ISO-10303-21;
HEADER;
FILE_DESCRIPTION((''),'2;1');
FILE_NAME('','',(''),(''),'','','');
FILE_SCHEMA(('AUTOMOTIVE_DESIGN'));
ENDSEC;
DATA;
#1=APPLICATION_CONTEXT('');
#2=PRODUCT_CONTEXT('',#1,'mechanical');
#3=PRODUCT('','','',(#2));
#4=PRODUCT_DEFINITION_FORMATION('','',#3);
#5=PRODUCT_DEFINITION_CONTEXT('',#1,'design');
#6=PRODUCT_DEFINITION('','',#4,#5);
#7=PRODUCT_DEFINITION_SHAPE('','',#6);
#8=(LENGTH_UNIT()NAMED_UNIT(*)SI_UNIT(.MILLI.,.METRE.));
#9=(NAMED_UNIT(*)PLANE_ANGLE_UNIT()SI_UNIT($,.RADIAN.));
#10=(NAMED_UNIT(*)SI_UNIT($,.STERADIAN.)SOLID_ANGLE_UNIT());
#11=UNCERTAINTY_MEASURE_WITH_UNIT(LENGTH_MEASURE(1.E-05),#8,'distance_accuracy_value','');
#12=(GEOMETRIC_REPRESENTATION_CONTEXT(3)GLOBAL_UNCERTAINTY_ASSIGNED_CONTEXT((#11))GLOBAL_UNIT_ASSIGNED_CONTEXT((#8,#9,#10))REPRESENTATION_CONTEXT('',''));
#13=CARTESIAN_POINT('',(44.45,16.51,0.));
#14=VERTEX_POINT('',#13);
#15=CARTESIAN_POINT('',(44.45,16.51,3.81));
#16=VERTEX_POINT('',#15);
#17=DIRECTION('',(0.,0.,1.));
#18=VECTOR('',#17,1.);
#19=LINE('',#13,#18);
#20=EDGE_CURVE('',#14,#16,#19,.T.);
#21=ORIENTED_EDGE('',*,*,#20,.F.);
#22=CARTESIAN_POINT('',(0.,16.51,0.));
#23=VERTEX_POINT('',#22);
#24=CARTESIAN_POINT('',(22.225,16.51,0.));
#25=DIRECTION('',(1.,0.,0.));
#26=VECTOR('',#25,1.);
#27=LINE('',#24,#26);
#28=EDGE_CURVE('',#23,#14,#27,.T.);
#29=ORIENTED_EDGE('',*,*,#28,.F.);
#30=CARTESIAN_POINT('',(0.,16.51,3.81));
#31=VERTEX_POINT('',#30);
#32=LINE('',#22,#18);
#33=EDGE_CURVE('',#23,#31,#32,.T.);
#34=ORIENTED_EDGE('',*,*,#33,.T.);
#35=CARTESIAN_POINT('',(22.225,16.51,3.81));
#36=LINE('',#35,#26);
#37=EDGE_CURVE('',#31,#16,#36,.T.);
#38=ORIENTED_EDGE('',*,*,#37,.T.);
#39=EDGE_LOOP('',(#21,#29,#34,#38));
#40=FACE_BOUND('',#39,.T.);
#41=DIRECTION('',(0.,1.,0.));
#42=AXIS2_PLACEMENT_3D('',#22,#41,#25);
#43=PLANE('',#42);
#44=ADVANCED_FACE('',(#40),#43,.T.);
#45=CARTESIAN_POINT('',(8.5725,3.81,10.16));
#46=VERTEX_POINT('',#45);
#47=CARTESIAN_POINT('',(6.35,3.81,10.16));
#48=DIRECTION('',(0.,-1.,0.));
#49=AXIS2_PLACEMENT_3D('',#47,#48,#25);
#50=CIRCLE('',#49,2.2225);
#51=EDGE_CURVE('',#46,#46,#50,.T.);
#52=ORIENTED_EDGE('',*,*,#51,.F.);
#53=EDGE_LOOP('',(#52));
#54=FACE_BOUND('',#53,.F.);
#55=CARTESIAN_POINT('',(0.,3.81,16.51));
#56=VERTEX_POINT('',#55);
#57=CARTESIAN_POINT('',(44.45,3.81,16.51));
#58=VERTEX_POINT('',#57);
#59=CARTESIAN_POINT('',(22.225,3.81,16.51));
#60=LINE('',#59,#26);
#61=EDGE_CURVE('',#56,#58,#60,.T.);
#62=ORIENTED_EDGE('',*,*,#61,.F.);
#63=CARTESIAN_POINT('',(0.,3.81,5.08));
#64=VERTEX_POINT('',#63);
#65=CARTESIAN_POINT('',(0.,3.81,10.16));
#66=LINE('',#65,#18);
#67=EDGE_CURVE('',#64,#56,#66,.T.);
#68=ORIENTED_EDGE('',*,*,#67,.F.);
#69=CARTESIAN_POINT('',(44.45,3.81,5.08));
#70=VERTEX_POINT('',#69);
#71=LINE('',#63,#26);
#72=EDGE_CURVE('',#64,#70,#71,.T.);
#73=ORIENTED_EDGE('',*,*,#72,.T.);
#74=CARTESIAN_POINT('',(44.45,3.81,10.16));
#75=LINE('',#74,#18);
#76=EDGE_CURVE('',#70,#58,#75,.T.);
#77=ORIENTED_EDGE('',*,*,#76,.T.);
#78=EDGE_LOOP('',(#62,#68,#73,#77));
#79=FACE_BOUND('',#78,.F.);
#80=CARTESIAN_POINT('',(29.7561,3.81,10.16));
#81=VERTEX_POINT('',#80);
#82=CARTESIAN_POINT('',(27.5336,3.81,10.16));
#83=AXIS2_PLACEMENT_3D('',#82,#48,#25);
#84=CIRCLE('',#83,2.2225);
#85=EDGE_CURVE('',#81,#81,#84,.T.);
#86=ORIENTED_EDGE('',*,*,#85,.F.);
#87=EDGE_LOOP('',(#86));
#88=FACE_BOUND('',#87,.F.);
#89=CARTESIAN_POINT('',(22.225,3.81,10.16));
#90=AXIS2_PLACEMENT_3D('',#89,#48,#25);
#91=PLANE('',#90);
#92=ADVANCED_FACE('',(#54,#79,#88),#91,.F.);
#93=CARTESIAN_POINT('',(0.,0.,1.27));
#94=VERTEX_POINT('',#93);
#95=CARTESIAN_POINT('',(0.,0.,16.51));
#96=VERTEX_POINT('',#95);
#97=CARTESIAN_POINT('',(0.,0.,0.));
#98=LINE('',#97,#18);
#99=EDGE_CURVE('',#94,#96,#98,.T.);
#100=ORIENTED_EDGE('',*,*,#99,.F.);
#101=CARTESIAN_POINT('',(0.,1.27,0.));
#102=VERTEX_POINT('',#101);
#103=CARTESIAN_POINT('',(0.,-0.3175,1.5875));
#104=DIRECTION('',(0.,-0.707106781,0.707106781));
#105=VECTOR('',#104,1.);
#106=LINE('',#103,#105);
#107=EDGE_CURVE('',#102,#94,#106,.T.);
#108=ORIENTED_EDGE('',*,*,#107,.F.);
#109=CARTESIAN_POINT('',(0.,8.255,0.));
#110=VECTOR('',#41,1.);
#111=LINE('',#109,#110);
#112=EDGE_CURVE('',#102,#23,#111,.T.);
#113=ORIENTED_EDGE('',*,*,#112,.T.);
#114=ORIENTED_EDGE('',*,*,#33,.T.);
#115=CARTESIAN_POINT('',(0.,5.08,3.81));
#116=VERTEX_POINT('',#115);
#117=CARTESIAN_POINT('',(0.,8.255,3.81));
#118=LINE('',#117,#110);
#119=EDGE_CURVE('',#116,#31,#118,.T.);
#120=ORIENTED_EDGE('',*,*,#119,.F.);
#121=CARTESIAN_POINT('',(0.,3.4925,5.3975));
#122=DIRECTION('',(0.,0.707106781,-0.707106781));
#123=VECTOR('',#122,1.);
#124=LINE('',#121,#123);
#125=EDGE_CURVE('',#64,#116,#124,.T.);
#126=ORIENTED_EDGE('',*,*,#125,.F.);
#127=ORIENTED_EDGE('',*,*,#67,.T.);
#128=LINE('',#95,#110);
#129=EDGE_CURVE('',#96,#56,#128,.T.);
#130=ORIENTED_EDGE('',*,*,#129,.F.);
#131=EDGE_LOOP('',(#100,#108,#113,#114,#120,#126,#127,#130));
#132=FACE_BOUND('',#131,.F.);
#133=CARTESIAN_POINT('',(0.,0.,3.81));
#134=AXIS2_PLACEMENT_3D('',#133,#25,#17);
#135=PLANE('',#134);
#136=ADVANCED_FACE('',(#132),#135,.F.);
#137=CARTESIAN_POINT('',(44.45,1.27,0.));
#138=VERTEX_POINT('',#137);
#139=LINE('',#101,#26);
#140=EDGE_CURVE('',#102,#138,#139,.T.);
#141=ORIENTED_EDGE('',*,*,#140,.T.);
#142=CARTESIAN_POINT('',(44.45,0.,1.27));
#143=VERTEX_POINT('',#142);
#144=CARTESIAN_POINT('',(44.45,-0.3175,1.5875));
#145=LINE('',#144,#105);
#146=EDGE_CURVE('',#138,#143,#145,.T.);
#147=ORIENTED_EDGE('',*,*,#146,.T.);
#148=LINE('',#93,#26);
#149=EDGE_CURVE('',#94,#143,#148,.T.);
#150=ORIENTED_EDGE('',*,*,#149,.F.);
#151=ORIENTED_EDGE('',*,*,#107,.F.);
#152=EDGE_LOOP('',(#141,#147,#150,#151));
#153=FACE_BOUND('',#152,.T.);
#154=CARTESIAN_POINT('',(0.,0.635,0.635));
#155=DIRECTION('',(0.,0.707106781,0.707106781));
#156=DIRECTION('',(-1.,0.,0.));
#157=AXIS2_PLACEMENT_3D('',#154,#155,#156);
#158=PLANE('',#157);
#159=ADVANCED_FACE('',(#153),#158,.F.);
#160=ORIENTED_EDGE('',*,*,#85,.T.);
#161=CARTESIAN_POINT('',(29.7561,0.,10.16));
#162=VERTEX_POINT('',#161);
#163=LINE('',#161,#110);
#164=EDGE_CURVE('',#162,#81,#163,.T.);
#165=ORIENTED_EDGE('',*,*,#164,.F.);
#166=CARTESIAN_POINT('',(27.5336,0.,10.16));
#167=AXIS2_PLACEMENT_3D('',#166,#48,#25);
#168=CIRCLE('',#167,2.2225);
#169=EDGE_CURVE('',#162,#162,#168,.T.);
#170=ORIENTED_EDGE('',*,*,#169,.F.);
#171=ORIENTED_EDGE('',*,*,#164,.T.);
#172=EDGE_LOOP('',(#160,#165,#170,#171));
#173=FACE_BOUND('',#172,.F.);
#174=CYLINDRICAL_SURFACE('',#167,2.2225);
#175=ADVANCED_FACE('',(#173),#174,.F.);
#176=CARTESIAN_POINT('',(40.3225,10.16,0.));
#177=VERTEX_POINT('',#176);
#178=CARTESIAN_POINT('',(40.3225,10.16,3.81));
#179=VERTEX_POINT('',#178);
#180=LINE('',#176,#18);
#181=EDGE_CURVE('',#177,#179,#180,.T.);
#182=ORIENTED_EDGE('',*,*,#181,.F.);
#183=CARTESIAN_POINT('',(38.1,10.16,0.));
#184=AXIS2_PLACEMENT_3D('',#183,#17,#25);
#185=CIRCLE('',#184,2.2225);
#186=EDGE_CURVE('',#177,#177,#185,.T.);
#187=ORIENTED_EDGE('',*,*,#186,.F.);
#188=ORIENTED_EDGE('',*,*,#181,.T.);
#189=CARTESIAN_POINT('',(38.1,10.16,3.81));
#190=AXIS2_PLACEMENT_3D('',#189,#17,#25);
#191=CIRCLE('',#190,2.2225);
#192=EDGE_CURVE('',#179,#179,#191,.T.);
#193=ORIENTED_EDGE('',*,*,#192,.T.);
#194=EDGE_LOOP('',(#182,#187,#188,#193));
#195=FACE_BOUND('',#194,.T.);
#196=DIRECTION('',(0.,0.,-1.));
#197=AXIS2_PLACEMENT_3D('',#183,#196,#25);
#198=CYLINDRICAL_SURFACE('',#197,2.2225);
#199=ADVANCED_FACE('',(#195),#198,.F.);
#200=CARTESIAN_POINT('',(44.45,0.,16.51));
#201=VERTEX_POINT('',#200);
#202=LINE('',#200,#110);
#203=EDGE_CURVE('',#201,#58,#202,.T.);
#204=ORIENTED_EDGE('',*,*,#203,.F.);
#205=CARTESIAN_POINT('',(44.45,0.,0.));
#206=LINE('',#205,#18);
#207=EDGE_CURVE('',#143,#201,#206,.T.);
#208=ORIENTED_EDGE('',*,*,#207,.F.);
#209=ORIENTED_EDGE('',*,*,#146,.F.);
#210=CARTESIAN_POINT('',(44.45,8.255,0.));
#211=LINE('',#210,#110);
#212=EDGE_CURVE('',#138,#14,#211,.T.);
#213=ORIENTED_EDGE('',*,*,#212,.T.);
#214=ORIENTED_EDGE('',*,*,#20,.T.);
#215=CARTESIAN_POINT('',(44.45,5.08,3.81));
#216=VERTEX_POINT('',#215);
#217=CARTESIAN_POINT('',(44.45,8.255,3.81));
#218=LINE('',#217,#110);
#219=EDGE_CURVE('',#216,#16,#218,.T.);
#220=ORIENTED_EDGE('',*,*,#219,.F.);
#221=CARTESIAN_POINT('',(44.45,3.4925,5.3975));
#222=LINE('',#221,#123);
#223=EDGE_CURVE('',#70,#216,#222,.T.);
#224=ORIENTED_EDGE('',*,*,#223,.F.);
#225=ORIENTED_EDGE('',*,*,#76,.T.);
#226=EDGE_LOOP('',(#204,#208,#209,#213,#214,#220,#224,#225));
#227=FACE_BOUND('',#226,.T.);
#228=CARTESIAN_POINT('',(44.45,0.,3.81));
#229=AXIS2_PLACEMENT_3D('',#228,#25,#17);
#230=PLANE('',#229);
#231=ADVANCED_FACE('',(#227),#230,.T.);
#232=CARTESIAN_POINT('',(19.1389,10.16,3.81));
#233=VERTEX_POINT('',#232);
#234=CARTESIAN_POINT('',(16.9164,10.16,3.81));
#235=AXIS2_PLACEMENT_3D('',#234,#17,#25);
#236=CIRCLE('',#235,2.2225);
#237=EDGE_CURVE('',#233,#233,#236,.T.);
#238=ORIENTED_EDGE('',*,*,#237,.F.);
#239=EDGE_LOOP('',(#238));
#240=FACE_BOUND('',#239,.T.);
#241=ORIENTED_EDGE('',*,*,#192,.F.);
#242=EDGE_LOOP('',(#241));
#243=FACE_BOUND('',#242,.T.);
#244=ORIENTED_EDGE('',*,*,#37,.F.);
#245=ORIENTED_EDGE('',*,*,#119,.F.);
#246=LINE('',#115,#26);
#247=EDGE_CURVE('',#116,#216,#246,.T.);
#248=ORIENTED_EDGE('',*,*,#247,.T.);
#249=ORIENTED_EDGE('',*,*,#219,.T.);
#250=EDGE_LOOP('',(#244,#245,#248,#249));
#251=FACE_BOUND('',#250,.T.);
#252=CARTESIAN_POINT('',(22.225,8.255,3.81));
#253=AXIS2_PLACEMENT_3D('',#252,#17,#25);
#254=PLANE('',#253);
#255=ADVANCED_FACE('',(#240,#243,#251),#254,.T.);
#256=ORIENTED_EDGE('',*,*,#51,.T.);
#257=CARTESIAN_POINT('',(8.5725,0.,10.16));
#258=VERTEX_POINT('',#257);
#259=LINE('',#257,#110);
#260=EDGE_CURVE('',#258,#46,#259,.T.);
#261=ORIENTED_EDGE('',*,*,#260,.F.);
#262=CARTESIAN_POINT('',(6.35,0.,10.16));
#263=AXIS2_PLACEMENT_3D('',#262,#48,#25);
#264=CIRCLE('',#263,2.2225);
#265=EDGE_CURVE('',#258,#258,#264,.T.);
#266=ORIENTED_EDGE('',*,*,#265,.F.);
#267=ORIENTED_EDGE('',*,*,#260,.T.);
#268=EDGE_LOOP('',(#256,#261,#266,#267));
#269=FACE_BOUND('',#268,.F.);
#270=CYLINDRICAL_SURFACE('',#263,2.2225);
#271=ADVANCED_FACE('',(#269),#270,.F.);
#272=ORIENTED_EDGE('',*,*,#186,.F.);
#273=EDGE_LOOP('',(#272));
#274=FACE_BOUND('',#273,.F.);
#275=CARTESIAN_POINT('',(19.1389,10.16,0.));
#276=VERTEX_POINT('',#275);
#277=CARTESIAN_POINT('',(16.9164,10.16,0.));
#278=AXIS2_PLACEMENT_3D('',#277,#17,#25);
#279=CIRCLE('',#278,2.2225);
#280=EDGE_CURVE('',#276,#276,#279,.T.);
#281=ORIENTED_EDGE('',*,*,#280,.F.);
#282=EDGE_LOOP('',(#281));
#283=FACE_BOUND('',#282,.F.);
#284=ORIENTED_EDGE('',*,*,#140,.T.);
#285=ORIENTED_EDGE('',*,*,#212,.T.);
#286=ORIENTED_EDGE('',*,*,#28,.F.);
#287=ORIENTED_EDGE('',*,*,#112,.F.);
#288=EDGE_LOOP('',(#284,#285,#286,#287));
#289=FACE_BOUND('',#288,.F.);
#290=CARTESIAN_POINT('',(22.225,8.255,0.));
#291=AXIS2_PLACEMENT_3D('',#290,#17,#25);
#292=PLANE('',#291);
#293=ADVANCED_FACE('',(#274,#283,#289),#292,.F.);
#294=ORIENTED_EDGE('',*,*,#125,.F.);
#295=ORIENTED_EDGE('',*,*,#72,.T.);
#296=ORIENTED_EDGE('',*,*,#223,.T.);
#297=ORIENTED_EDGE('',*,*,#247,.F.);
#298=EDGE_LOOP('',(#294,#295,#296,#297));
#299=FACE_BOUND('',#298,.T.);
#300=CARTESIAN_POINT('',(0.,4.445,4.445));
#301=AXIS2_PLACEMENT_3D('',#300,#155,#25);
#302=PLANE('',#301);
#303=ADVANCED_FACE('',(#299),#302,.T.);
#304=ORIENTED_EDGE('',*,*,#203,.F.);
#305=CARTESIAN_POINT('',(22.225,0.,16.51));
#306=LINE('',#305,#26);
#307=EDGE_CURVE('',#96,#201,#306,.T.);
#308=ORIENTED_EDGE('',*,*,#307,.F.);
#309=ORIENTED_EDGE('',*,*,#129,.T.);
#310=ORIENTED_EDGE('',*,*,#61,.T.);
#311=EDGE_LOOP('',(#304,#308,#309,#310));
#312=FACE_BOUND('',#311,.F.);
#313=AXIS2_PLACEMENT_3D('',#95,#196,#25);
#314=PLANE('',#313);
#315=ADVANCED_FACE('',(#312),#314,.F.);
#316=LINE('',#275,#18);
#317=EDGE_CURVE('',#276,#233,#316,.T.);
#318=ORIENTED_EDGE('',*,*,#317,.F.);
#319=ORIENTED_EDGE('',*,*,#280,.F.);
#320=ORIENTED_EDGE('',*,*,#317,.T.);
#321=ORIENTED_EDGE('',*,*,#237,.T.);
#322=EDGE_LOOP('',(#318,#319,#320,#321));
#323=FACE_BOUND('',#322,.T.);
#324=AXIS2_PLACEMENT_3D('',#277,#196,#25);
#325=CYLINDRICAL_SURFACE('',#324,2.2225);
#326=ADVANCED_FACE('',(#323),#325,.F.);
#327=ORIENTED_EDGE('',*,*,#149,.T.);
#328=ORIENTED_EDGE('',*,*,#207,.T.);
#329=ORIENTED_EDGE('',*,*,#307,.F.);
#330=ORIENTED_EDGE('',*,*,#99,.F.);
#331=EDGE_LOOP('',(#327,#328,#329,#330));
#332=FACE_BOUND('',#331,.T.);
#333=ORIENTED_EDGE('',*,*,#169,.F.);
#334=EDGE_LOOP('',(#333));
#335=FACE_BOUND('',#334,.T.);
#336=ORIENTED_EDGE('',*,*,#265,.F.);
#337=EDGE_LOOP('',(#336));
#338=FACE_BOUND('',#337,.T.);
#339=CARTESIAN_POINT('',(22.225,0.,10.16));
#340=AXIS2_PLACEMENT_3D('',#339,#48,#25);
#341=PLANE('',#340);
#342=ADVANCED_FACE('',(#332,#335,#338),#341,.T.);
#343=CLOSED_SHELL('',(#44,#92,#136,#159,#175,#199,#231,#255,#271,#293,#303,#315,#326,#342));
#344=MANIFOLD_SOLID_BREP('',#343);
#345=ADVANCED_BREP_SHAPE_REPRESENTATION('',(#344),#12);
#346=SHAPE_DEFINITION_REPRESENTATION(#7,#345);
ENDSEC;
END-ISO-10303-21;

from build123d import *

# Parameters (mm, degrees)
F0_W     = 44.45
F0_H     = 16.51
F0_R     = 2.2225
F1_DEPTH = 3.81
F2_W     = 44.45
F2_H     = 12.7
F2_R     = 2.2225
F3_DEPTH = 3.81
F4_SIZE  = 1.27
F5_SIZE  = 1.27


with BuildPart() as f1:
    # F0 (on Top) → F1 (new body)
    with BuildSketch(Plane.XY):
        with Locations((22.225, 8.255)):
            Rectangle(F0_W, F0_H)
        with Locations((16.9164, 10.16)):
            Circle(F0_R, mode=Mode.SUBTRACT)
        with Locations((38.1, 10.16)):
            Circle(F0_R, mode=Mode.SUBTRACT)
    extrude(amount=F1_DEPTH)

    # F2 (on face) → F3 (join)
    with BuildSketch(Plane.XZ):
        with Locations((22.225, 10.16)):
            Rectangle(F2_W, F2_H)
        with Locations((6.35, 10.16)):
            Circle(F2_R, mode=Mode.SUBTRACT)
        with Locations((27.5336, 10.16)):
            Circle(F2_R, mode=Mode.SUBTRACT)
    extrude(amount=-F3_DEPTH)

    # F4
    f4_edges = [f1.edges().sort_by_distance(p)[0] for p in [
        (22.225, 0, 0),
    ]]
    chamfer(f4_edges, length=F4_SIZE)

    # F5
    f5_edges = [f1.edges().sort_by_distance(p)[0] for p in [
        (22.225, 3.81, 3.81),
    ]]
    chamfer(f5_edges, length=F5_SIZE)


solid = f1.part
